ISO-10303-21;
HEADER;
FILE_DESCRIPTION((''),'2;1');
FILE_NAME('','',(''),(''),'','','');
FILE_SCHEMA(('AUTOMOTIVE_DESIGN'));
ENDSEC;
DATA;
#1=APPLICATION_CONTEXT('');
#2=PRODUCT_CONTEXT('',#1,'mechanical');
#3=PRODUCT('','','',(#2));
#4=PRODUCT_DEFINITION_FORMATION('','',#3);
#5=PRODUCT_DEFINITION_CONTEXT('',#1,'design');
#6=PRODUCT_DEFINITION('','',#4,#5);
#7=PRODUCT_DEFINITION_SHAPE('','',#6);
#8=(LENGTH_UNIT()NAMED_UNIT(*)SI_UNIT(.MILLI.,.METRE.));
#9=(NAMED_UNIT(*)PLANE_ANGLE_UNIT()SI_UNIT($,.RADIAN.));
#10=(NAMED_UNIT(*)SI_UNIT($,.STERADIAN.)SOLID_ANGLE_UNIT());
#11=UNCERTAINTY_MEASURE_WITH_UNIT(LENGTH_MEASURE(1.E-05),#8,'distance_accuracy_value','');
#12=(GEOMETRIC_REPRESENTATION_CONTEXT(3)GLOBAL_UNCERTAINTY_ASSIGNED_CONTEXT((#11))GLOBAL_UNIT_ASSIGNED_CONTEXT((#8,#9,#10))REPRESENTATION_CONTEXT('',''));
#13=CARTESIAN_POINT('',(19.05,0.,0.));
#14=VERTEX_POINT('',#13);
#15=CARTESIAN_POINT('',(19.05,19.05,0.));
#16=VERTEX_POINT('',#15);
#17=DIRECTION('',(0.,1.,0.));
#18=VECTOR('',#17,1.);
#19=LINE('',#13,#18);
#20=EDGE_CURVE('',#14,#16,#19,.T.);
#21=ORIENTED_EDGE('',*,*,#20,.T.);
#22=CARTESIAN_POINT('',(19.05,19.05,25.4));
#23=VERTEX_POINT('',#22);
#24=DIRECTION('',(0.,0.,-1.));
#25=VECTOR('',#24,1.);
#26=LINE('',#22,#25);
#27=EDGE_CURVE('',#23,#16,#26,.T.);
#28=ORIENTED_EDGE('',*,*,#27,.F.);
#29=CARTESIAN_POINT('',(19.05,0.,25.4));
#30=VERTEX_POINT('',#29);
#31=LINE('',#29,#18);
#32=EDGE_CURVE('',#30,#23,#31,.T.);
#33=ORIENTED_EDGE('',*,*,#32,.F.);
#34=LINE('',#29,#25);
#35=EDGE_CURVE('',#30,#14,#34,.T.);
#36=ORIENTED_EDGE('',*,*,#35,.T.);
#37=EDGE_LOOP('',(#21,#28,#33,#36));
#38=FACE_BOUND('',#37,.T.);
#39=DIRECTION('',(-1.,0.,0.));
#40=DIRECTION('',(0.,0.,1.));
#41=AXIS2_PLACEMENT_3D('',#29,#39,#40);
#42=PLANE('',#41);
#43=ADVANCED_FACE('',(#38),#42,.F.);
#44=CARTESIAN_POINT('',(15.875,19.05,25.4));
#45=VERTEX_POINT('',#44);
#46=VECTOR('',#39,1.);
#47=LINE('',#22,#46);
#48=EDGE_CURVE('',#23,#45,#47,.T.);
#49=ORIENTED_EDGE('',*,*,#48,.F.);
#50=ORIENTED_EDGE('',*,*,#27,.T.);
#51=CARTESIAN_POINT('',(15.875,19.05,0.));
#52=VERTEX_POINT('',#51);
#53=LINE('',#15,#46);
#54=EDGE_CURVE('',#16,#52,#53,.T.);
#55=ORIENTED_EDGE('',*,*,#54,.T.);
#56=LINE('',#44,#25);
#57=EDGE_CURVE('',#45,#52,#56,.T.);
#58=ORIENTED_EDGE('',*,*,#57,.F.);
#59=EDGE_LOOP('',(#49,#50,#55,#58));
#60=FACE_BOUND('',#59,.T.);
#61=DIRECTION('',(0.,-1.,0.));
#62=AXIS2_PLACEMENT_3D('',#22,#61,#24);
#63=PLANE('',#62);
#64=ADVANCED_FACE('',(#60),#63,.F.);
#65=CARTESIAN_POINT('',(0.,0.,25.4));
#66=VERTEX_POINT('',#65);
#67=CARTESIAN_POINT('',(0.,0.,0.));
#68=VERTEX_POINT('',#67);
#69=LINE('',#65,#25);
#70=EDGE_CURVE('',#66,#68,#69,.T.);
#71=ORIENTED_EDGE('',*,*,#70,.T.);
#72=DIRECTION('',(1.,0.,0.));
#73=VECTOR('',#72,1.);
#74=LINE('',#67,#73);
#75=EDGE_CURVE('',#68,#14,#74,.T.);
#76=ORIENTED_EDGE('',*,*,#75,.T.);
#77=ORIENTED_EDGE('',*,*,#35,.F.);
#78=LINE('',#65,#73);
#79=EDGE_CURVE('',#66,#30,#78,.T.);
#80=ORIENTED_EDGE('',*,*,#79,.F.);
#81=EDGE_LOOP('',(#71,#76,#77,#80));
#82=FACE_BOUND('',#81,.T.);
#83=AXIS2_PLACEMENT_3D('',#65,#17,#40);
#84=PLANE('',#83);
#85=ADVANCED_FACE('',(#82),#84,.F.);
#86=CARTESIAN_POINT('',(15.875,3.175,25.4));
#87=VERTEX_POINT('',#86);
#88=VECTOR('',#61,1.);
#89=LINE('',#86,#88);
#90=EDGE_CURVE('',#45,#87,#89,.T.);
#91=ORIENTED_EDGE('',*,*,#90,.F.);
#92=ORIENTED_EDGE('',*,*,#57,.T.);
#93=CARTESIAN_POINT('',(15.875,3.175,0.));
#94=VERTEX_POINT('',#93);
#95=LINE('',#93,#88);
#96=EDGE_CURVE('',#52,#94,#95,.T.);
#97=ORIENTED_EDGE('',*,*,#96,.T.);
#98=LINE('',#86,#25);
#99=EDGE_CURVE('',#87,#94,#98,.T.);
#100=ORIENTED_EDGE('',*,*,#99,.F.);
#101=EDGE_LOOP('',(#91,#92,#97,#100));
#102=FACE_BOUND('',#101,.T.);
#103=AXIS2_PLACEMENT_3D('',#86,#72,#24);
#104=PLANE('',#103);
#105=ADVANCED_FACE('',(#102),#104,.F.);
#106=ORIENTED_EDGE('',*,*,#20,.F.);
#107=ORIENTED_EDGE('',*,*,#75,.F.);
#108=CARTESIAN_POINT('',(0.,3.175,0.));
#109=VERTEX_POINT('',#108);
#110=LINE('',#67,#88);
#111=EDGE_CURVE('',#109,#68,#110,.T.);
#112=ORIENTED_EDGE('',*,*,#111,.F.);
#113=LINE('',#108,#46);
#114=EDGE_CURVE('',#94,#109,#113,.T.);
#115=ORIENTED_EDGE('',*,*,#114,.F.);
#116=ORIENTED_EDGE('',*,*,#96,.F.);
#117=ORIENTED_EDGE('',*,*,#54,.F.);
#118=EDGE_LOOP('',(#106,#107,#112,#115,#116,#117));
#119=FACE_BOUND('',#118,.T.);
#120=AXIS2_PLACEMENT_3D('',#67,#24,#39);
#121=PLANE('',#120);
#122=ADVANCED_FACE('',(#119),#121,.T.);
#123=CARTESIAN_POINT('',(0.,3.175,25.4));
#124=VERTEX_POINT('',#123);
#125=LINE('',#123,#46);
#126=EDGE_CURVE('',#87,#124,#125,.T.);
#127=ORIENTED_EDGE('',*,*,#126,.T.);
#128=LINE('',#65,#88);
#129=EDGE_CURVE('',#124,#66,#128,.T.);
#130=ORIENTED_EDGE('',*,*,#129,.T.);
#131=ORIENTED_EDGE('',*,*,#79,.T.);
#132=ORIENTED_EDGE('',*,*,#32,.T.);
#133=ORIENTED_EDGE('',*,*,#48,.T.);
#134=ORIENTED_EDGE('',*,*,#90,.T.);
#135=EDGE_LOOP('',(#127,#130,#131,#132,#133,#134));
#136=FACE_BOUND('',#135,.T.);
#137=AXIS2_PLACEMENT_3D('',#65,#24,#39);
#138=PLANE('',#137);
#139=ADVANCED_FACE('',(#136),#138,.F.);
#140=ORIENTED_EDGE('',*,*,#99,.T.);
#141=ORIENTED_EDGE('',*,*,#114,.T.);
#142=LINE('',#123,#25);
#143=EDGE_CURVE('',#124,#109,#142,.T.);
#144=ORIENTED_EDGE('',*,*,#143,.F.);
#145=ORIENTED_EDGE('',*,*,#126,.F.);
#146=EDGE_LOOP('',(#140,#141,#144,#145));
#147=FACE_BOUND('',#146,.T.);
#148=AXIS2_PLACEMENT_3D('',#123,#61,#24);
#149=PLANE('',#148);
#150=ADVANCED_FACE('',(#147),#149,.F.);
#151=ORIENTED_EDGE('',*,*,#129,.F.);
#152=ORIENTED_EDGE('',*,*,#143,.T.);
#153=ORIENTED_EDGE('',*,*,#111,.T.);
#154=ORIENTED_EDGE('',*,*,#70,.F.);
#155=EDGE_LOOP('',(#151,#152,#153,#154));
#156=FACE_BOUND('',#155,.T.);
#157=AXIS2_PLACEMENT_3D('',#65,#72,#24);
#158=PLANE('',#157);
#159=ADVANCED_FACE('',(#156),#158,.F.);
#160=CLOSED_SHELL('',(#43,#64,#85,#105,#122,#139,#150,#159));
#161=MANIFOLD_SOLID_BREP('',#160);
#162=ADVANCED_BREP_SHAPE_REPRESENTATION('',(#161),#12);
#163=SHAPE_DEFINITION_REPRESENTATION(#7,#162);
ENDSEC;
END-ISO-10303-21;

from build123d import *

# Parameters (mm, degrees)
BOSS_EXTRUDE1_DEPTH = 25.4


with BuildPart() as part:
    # Sketch1 → Boss-Extrude1 (new body)
    with BuildSketch(Plane.XY):
        Polygon((0, 0), (19.05, 0), (19.05, 19.05), (15.875, 19.05), (15.875, 3.175), (0, 3.175), align=None)
    extrude(amount=BOSS_EXTRUDE1_DEPTH)


solid = part.part
